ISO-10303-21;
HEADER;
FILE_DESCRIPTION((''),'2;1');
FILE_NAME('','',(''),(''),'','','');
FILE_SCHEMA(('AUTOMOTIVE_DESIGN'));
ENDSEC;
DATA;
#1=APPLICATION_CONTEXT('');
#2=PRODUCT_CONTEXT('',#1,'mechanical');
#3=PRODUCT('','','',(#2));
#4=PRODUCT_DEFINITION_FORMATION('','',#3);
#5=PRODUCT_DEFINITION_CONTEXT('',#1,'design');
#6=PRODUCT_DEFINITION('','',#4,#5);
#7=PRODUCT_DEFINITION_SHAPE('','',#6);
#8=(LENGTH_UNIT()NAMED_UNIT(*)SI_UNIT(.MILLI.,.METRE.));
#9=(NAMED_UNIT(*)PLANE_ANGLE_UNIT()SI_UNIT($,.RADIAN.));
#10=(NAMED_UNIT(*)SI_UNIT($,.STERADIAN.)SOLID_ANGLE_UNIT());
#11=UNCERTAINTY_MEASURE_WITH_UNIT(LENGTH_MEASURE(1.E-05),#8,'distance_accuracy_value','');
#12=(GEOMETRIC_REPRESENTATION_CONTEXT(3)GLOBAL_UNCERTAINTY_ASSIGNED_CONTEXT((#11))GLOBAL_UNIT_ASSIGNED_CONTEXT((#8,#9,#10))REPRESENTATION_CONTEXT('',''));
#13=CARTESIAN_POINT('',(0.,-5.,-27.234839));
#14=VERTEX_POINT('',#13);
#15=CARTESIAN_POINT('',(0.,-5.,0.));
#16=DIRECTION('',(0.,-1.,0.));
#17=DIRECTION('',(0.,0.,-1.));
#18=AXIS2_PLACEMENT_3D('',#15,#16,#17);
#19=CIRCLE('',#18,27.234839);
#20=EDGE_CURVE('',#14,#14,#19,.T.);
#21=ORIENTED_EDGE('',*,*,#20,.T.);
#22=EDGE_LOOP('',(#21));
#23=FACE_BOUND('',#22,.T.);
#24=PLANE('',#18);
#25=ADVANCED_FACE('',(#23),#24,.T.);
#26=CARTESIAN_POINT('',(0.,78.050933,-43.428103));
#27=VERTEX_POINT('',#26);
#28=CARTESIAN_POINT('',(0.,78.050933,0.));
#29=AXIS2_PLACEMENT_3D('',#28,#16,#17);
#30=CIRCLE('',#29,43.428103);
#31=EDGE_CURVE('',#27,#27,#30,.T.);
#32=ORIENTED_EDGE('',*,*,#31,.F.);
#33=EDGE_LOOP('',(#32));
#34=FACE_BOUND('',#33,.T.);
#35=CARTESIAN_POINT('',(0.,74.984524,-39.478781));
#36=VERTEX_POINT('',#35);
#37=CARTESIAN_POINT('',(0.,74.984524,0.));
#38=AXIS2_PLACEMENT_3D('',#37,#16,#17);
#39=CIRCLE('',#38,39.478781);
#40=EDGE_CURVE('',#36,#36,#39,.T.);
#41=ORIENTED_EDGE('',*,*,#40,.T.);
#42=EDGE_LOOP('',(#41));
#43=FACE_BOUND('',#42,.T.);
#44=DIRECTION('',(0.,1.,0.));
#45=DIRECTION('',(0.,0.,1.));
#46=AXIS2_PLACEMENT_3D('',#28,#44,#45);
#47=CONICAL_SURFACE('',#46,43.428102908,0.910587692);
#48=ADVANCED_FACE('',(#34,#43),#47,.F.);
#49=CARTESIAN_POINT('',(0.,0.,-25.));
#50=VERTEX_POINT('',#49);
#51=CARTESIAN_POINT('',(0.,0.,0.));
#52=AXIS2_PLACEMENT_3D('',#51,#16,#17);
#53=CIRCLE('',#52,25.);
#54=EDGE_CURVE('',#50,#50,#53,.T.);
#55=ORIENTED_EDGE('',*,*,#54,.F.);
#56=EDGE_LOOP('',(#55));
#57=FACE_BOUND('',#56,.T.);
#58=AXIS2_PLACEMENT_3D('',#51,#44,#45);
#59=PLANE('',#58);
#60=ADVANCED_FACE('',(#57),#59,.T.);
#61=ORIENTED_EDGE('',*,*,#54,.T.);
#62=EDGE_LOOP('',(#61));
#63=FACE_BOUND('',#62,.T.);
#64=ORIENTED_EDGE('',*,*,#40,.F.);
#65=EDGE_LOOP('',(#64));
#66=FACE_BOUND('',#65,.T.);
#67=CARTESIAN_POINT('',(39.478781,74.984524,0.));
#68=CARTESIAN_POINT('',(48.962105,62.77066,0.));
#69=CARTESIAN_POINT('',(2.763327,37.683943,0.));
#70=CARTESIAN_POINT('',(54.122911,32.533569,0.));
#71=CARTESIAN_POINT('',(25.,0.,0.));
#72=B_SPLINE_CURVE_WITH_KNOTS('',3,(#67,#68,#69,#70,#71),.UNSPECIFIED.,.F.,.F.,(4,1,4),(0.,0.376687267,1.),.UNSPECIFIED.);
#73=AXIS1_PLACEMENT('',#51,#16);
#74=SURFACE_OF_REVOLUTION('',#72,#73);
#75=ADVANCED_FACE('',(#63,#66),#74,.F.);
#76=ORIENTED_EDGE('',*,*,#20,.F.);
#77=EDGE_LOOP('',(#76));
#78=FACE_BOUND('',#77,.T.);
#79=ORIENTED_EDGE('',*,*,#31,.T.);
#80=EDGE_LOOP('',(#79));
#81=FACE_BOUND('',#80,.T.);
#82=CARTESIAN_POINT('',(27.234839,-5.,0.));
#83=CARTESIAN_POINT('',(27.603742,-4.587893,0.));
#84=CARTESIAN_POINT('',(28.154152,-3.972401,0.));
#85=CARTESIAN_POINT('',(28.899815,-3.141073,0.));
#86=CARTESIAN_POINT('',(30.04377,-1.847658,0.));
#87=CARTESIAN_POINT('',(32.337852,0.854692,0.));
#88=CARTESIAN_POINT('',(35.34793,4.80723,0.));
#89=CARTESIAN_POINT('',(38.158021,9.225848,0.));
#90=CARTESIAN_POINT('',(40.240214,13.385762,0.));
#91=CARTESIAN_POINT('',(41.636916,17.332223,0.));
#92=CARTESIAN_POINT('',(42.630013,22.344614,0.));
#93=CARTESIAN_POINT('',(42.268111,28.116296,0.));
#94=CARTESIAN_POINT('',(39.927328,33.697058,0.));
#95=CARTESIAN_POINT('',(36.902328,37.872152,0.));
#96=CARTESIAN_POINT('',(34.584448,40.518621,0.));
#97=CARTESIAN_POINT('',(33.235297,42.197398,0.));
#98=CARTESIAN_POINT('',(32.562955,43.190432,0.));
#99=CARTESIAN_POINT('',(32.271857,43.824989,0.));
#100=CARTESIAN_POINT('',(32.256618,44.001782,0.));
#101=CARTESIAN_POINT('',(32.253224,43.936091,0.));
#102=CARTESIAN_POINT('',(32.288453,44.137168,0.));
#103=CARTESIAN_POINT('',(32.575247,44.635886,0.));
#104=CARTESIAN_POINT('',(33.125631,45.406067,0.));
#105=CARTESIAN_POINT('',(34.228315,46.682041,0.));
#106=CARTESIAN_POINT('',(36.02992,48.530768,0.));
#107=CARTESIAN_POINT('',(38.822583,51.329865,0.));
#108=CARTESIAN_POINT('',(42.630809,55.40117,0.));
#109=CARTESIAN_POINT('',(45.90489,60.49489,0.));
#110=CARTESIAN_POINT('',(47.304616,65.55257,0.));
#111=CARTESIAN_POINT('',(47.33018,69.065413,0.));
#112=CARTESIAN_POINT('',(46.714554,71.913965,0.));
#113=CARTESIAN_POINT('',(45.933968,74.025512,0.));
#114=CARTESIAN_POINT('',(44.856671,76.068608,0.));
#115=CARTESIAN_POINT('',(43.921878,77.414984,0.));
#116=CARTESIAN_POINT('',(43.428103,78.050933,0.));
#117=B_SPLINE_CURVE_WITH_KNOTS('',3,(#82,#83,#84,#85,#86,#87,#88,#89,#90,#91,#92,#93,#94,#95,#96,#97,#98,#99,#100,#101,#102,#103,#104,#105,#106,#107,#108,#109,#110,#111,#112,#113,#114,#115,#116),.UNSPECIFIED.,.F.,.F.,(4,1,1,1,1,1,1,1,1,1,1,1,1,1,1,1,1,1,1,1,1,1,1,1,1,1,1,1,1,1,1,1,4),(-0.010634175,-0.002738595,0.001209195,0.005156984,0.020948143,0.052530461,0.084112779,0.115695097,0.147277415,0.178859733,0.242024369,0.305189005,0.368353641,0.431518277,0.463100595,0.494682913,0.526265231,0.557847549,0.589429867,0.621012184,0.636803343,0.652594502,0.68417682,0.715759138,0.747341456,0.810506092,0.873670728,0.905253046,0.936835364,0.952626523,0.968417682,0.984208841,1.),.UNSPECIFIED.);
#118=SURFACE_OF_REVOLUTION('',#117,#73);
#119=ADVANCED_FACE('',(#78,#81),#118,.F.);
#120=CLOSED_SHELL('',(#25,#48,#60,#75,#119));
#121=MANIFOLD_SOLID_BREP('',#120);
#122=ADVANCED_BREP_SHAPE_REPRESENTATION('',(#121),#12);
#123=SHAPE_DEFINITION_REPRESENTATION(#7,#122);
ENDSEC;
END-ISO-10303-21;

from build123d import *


with BuildPart() as part:
    # Sketch1 → Revolve2 (revolve)
    with BuildSketch(Plane.XY, mode=Mode.PRIVATE) as revolve2_sk:
        with BuildLine():
            Line((0, 0), (25, 0))
            add(Edge.make_bspline(
                [(25, 0), (54.122911021, 32.533569178), (2.76332705, 37.683942782), (48.962105471, 62.77065997), (39.478781423, 74.984524482)],
                knots=[0, 0, 0, 0, 0.623312733, 1, 1, 1, 1], degree=3))
            Line((39.478781423, 74.984524482), (43.428102908, 78.050932774))
            add(Edge.make_bspline(
                [(27.234838932, -5), (27.603742449, -4.587893255), (28.154151574, -3.97240097), (28.899815006, -3.141073257), (30.043769912, -1.847657931), (32.33785243, 0.854691764), (35.34792954, 4.807230278), (38.158021161, 9.225848272), (40.240214217, 13.385762461), (41.636915817, 17.332223321), (42.630012655, 22.344613875), (42.268111235, 28.11629612), (39.927327718, 33.697058401), (36.902327586, 37.872151791), (34.584447642, 40.518620708), (33.235297247, 42.19739796), (32.56295527, 43.190432103), (32.271856882, 43.824988532), (32.256617594, 44.001781731), (32.253224227, 43.936090927), (32.288453432, 44.13716806), (32.575247398, 44.63588584), (33.125631307, 45.406067461), (34.228315477, 46.682041352), (36.029919682, 48.530768454), (38.822582866, 51.329865077), (42.630808829, 55.401169882), (45.904890195, 60.494889829), (47.304615709, 65.552570402), (47.330180345, 69.065412917), (46.714553782, 71.913965093), (45.933968295, 74.025511589), (44.856671432, 76.068608047), (43.921878483, 77.414984034), (43.428102908, 78.050932774)],
                knots=[-0.010634175, -0.010634175, -0.010634175, -0.010634175, -0.002738595, 0.001209195, 0.005156984, 0.020948143, 0.052530461, 0.084112779, 0.115695097, 0.147277415, 0.178859733, 0.242024369, 0.305189005, 0.368353641, 0.431518277, 0.463100595, 0.494682913, 0.526265231, 0.557847549, 0.589429867, 0.621012184, 0.636803343, 0.652594502, 0.68417682, 0.715759138, 0.747341456, 0.810506092, 0.873670728, 0.905253046, 0.936835364, 0.952626523, 0.968417682, 0.984208841, 1, 1, 1, 1], degree=3))
            Line((27.234838932, -5), (0, -5))
            Line((0, -5), (0, 0))
        make_face()
    revolve(revolve2_sk.sketch.rotate(Axis((0, 0, 0), (0, 1, 0)), 90), axis=Axis((0, 0, 0), (0, 1, 0)))


solid = part.part
